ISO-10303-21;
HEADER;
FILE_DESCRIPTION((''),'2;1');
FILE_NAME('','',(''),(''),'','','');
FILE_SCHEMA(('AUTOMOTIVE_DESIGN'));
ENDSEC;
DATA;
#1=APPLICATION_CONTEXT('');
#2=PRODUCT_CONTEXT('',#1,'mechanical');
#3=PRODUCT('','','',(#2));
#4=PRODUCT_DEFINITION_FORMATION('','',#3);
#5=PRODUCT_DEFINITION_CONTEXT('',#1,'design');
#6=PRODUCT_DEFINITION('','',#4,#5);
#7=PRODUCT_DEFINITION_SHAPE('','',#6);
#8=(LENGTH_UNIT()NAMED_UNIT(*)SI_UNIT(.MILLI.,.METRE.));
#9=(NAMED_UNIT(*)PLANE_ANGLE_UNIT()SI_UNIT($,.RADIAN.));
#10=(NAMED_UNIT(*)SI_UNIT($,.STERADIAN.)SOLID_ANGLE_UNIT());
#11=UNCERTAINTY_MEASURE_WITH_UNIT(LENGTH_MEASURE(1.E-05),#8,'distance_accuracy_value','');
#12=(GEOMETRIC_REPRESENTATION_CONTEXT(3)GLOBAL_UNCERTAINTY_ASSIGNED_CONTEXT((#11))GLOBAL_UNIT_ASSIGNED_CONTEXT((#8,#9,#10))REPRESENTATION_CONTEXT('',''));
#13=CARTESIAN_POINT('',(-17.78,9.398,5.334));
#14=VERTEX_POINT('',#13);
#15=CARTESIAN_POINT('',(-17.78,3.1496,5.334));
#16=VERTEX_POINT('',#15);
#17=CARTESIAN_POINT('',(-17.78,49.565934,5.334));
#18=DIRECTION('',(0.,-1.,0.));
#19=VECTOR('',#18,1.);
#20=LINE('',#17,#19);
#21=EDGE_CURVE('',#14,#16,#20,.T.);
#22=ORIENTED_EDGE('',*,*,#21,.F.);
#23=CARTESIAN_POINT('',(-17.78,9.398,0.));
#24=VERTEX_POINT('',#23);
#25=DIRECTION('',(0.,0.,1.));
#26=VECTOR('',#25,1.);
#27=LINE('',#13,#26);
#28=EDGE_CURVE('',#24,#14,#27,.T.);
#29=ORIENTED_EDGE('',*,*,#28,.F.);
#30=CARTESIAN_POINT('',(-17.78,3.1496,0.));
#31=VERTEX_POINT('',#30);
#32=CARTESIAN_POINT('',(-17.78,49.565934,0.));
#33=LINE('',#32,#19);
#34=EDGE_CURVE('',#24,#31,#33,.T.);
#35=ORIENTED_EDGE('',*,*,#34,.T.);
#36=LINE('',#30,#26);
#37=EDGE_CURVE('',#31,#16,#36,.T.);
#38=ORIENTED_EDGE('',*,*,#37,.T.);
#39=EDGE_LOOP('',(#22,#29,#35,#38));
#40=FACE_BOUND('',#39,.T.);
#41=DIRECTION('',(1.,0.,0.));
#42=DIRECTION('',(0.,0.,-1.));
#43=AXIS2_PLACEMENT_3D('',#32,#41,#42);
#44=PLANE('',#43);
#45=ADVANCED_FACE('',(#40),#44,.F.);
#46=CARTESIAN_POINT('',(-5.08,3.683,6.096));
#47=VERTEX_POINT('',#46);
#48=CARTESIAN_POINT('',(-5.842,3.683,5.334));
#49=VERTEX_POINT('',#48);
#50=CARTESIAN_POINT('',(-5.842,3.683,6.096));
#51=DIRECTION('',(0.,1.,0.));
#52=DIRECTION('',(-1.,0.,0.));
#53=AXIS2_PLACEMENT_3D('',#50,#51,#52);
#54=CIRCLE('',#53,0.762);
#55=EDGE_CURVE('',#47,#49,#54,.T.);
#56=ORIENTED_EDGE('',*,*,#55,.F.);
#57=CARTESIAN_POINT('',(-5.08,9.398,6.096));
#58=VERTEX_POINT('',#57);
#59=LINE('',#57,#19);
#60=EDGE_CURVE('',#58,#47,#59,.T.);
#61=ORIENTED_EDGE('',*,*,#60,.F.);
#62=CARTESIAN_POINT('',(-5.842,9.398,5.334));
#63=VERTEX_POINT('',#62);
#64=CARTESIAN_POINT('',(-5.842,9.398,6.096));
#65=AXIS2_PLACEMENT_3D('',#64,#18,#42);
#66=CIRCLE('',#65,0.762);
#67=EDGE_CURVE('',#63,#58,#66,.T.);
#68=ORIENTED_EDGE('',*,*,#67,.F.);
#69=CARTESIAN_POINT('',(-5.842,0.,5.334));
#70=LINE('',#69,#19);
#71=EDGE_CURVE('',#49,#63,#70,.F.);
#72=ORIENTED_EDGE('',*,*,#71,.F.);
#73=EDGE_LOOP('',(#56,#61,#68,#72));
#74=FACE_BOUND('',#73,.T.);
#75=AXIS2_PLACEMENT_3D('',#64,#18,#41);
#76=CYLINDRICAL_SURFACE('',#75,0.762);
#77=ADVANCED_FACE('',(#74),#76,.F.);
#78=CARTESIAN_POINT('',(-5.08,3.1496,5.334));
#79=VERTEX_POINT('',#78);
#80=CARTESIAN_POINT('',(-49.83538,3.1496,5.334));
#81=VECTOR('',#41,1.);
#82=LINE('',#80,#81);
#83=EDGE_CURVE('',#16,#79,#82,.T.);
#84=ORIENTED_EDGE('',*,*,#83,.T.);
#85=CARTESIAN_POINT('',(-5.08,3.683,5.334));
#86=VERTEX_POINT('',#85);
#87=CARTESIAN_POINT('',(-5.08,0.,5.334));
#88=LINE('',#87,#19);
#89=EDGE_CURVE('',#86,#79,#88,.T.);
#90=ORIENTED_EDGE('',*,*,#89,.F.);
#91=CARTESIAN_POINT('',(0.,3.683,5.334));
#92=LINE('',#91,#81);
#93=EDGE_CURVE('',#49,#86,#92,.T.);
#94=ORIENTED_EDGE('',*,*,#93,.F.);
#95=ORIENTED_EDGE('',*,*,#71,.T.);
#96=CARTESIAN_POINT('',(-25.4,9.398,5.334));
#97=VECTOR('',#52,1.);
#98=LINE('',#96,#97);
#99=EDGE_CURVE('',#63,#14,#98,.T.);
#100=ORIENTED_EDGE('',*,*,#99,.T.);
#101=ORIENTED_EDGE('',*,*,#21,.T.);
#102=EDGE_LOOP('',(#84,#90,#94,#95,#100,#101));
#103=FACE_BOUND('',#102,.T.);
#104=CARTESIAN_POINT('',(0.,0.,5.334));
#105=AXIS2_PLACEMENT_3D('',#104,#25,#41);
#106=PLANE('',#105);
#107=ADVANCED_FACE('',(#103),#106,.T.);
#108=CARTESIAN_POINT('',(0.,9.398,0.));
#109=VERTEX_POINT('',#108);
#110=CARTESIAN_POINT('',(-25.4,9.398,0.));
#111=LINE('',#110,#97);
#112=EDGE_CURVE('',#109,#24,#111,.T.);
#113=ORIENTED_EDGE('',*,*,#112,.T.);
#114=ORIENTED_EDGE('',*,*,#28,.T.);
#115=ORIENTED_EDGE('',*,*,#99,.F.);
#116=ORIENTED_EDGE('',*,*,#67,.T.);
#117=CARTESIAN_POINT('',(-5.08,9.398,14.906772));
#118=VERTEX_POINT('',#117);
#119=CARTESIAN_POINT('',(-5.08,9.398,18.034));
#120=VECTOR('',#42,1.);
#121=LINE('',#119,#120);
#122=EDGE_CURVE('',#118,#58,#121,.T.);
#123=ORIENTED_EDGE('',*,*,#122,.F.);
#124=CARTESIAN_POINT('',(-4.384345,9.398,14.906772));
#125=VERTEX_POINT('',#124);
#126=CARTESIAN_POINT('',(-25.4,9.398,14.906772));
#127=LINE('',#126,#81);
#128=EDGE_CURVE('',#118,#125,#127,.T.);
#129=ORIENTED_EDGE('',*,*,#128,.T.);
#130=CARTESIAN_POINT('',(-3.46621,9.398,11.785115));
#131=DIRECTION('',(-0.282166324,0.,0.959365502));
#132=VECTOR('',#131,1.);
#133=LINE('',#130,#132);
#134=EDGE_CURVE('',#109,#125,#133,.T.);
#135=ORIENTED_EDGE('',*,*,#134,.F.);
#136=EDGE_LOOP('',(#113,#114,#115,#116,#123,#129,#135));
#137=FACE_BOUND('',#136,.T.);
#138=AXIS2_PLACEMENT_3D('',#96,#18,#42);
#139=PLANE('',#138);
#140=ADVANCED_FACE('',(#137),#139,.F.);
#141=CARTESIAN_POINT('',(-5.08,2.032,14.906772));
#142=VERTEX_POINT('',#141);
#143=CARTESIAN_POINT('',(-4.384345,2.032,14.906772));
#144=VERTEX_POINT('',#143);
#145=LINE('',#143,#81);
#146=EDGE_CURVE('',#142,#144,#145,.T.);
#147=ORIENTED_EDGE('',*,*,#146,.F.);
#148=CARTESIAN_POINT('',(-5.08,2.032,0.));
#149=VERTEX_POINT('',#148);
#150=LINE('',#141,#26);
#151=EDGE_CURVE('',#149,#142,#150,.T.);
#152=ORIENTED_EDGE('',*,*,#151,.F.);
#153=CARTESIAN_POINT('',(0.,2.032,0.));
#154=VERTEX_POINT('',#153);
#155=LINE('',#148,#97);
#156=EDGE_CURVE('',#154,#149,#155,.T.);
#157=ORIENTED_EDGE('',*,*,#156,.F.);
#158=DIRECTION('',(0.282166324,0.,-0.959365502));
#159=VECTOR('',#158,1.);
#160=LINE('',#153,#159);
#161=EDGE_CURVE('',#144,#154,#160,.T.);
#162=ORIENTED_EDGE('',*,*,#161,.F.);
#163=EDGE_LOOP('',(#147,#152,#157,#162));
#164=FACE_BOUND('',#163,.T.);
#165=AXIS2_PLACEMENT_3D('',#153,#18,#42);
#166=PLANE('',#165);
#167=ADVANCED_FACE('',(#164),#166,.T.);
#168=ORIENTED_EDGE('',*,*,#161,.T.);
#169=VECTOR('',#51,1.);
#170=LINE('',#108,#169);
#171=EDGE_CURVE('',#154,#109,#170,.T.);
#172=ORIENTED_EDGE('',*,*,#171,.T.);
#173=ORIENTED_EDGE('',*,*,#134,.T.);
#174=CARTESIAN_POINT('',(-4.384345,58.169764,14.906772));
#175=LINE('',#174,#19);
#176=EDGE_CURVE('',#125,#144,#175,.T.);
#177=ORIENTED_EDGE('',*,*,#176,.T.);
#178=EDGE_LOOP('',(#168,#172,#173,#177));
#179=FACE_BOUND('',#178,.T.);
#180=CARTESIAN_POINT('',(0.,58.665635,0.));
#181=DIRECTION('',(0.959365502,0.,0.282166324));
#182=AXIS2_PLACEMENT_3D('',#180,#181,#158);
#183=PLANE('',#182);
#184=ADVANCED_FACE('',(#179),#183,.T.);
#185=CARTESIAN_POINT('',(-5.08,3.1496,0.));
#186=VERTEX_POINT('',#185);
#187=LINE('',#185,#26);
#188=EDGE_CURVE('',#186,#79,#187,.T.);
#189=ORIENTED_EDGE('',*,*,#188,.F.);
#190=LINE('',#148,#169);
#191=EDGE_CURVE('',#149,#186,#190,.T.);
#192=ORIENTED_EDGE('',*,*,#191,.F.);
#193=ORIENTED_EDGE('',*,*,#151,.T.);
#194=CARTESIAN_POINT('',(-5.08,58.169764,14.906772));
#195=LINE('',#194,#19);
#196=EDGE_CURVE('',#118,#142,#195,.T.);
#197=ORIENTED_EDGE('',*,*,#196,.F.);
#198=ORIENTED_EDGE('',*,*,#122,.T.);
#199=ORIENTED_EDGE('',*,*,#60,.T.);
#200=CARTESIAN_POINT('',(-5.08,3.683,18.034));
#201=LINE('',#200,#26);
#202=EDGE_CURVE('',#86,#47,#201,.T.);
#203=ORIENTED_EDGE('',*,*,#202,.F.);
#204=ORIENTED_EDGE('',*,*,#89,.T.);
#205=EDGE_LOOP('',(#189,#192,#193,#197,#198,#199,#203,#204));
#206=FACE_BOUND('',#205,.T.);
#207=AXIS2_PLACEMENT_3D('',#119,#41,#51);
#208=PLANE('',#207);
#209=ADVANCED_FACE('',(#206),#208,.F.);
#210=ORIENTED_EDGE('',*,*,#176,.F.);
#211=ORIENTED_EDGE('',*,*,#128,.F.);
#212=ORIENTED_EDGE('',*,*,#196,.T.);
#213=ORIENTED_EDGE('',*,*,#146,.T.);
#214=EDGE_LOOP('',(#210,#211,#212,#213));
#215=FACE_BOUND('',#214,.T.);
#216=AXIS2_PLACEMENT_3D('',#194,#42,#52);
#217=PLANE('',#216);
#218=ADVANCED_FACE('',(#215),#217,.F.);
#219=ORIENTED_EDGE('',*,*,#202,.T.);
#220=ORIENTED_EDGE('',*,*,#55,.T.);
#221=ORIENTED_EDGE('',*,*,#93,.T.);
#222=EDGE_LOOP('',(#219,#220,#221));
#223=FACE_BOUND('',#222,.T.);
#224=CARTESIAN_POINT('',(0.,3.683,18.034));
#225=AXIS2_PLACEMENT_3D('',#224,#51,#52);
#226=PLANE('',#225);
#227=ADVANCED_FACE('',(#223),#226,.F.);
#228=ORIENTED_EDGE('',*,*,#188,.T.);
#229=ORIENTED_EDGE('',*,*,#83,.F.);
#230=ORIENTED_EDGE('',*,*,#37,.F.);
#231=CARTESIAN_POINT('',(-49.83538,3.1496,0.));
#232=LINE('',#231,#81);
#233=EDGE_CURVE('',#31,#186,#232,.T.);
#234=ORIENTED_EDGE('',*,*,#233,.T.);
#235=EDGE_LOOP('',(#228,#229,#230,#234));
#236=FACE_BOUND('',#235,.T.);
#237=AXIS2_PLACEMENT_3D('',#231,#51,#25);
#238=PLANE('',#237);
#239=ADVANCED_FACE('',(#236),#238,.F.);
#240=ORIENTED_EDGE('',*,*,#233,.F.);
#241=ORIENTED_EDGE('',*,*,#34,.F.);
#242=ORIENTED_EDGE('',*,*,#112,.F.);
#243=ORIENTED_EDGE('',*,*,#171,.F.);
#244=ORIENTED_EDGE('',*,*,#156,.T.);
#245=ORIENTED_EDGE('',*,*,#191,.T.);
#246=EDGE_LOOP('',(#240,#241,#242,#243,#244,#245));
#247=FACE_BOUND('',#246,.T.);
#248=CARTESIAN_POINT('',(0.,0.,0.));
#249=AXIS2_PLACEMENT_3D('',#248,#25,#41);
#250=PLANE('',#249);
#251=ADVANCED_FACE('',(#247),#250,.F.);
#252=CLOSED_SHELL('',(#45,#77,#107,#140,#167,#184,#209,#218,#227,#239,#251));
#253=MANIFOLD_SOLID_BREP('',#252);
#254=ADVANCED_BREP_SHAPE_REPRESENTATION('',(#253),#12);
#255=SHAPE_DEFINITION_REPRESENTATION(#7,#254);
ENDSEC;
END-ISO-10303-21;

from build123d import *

# Parameters (mm, degrees)
EXTRUDE1_DEPTH          = 5.334
SKETCH20_W              = 5.08
SKETCH20_H              = 5.715
EXTRUDE3_DEPTH          = 12.7
SKETCH22_W              = 0.889
SKETCH22_H              = 2.54
EXTRUDE5_DEPTH          = 5.334
SKETCH23_W              = 5.08
SKETCH23_H              = 1.5875
EXTRUDE6_DEPTH          = 3.683
FILLET5_R               = 1.6002
FILLET6_R               = 0.8382
FILLET2_R               = 0.762
CUT_EXTRUDE4_DEPTH      = 1
CUT_EXTRUDE4_DEPTH_BACK = 11.922
CUT_EXTRUDE5_DEPTH      = 1
CUT_EXTRUDE5_DEPTH_BACK = 11.922
CUT_EXTRUDE7_DEPTH      = 1
CUT_EXTRUDE7_DEPTH_BACK = 11.922
CUT_EXTRUDE8_DEPTH      = 1
CUT_EXTRUDE8_DEPTH_BACK = 18.78
BOSS_EXTRUDE1_DEPTH     = 7.366


with BuildPart() as part:
    # Sketch2 → Extrude1 (new body)
    with BuildSketch(Plane.XY):
        Polygon((-5.08, 0), (-5.08, -1.524), (0, -1.524), (0, 0), (0, 9.398), (-25.4, 9.398), (-25.4, 0), align=None)
    extrude(amount=EXTRUDE1_DEPTH)

    # Sketch20 → Extrude3 (add)
    with BuildSketch(Plane.XY.offset(5.334)):
        with Locations((-2.54, 6.5405)):
            Rectangle(SKETCH20_W, SKETCH20_H)
    extrude(amount=EXTRUDE3_DEPTH)

    # Sketch22 → Extrude5 (add)
    with BuildSketch(Plane.XY.offset(5.334)):
        with Locations((-25.8445, 8.128)):
            Rectangle(SKETCH22_W, SKETCH22_H)
    extrude(amount=-EXTRUDE5_DEPTH)

    # Sketch23 → Extrude6 (add)
    with BuildSketch(Plane.XZ.offset(-3.683)):
        with Locations((-2.54, 17.24025)):
            Rectangle(SKETCH23_W, SKETCH23_H)
    extrude(amount=EXTRUDE6_DEPTH)

    # Fillet5
    fillet5_edges = [part.edges().sort_by_distance(p)[0] for p in [
        (-26.289, 8.128, 5.334),
    ]]
    fillet(fillet5_edges, radius=FILLET5_R)

    # Fillet6
    fillet6_edges = [part.edges().sort_by_distance(p)[0] for p in [
        (-5.08, 1.8415, 16.4465),
    ]]
    fillet(fillet6_edges, radius=FILLET6_R)

    # Fillet2
    fillet2_edges = [part.edges().sort_by_distance(p)[0] for p in [
        (-5.08, 6.5405, 5.334),
        (0, 4.699, 18.034),
        (-5.08, 4.699, 18.034),
        (0, 1.0795, 5.334),
    ]]
    fillet(fillet2_edges, radius=FILLET2_R)

    # Sketch26 → Cut-Extrude4 (cut, two sides)
    with BuildSketch(Plane(origin=(0, 9.398, 0), x_dir=(1, 0, 0), z_dir=(0, 1, 0))) as cut_extrude4_sk:
        Polygon((20.812608211, 70.762867918), (0, 0), (-5.08, -17.272), (-25.892608211, -88.034867918), (115.633127624, -129.66008434), (162.338344046, 29.137651496), align=None)
    extrude(amount=CUT_EXTRUDE4_DEPTH, mode=Mode.SUBTRACT)
    extrude(cut_extrude4_sk.sketch, amount=-CUT_EXTRUDE4_DEPTH_BACK, mode=Mode.SUBTRACT)

    # Sketch27 → Cut-Extrude5 (cut, two sides)
    with BuildSketch(Plane(origin=(0, 9.398, 0), x_dir=(1, 0, 0), z_dir=(0, 1, 0))) as cut_extrude5_sk:
        Polygon((-68.071537779, -14.906771648), (-5.08, -14.906771648), (-4.384344602, -14.906771648), (58.607193177, -14.906771648), (58.607193177, -140.889847207), (-68.071537779, -140.889847207), align=None)
    extrude(amount=CUT_EXTRUDE5_DEPTH, mode=Mode.SUBTRACT)
    extrude(cut_extrude5_sk.sketch, amount=-CUT_EXTRUDE5_DEPTH_BACK, mode=Mode.SUBTRACT)

    # Sketch28 → Cut-Extrude7 (cut, two sides)
    with BuildSketch(Plane(origin=(0, 9.398, 0), x_dir=(1, 0, 0), z_dir=(0, 1, 0))) as cut_extrude7_sk:
        Polygon((-17.78, 56.40432053), (-17.78, 0), (-17.78, -5.334), (-17.78, -61.73832053), (-130.588641061, -61.73832053), (-130.588641061, 56.40432053), align=None)
    extrude(amount=CUT_EXTRUDE7_DEPTH, mode=Mode.SUBTRACT)
    extrude(cut_extrude7_sk.sketch, amount=-CUT_EXTRUDE7_DEPTH_BACK, mode=Mode.SUBTRACT)

    # Sketch29 → Cut-Extrude8 (cut, two sides)
    with BuildSketch(Plane.ZY.offset(17.78)) as cut_extrude8_sk:
        Polygon((-42.326728478, 3.1496), (0, 3.1496), (5.334, 3.1496), (47.660728478, 3.1496), (47.660728478, -81.503856957), (-42.326728478, -81.503856957), align=None)
    extrude(amount=CUT_EXTRUDE8_DEPTH, mode=Mode.SUBTRACT)
    extrude(cut_extrude8_sk.sketch, amount=-CUT_EXTRUDE8_DEPTH_BACK, mode=Mode.SUBTRACT)

    # Sketch30 → Boss-Extrude1 (add)
    with BuildSketch(Plane(origin=(0, 9.398, 0), x_dir=(1, 0, 0), z_dir=(0, 1, 0))):
        Polygon((-5.08, -14.906771648), (-5.08, 0), (0, 0), (-4.384344602, -14.906771648), align=None)
    extrude(amount=-BOSS_EXTRUDE1_DEPTH)


solid = part.part
